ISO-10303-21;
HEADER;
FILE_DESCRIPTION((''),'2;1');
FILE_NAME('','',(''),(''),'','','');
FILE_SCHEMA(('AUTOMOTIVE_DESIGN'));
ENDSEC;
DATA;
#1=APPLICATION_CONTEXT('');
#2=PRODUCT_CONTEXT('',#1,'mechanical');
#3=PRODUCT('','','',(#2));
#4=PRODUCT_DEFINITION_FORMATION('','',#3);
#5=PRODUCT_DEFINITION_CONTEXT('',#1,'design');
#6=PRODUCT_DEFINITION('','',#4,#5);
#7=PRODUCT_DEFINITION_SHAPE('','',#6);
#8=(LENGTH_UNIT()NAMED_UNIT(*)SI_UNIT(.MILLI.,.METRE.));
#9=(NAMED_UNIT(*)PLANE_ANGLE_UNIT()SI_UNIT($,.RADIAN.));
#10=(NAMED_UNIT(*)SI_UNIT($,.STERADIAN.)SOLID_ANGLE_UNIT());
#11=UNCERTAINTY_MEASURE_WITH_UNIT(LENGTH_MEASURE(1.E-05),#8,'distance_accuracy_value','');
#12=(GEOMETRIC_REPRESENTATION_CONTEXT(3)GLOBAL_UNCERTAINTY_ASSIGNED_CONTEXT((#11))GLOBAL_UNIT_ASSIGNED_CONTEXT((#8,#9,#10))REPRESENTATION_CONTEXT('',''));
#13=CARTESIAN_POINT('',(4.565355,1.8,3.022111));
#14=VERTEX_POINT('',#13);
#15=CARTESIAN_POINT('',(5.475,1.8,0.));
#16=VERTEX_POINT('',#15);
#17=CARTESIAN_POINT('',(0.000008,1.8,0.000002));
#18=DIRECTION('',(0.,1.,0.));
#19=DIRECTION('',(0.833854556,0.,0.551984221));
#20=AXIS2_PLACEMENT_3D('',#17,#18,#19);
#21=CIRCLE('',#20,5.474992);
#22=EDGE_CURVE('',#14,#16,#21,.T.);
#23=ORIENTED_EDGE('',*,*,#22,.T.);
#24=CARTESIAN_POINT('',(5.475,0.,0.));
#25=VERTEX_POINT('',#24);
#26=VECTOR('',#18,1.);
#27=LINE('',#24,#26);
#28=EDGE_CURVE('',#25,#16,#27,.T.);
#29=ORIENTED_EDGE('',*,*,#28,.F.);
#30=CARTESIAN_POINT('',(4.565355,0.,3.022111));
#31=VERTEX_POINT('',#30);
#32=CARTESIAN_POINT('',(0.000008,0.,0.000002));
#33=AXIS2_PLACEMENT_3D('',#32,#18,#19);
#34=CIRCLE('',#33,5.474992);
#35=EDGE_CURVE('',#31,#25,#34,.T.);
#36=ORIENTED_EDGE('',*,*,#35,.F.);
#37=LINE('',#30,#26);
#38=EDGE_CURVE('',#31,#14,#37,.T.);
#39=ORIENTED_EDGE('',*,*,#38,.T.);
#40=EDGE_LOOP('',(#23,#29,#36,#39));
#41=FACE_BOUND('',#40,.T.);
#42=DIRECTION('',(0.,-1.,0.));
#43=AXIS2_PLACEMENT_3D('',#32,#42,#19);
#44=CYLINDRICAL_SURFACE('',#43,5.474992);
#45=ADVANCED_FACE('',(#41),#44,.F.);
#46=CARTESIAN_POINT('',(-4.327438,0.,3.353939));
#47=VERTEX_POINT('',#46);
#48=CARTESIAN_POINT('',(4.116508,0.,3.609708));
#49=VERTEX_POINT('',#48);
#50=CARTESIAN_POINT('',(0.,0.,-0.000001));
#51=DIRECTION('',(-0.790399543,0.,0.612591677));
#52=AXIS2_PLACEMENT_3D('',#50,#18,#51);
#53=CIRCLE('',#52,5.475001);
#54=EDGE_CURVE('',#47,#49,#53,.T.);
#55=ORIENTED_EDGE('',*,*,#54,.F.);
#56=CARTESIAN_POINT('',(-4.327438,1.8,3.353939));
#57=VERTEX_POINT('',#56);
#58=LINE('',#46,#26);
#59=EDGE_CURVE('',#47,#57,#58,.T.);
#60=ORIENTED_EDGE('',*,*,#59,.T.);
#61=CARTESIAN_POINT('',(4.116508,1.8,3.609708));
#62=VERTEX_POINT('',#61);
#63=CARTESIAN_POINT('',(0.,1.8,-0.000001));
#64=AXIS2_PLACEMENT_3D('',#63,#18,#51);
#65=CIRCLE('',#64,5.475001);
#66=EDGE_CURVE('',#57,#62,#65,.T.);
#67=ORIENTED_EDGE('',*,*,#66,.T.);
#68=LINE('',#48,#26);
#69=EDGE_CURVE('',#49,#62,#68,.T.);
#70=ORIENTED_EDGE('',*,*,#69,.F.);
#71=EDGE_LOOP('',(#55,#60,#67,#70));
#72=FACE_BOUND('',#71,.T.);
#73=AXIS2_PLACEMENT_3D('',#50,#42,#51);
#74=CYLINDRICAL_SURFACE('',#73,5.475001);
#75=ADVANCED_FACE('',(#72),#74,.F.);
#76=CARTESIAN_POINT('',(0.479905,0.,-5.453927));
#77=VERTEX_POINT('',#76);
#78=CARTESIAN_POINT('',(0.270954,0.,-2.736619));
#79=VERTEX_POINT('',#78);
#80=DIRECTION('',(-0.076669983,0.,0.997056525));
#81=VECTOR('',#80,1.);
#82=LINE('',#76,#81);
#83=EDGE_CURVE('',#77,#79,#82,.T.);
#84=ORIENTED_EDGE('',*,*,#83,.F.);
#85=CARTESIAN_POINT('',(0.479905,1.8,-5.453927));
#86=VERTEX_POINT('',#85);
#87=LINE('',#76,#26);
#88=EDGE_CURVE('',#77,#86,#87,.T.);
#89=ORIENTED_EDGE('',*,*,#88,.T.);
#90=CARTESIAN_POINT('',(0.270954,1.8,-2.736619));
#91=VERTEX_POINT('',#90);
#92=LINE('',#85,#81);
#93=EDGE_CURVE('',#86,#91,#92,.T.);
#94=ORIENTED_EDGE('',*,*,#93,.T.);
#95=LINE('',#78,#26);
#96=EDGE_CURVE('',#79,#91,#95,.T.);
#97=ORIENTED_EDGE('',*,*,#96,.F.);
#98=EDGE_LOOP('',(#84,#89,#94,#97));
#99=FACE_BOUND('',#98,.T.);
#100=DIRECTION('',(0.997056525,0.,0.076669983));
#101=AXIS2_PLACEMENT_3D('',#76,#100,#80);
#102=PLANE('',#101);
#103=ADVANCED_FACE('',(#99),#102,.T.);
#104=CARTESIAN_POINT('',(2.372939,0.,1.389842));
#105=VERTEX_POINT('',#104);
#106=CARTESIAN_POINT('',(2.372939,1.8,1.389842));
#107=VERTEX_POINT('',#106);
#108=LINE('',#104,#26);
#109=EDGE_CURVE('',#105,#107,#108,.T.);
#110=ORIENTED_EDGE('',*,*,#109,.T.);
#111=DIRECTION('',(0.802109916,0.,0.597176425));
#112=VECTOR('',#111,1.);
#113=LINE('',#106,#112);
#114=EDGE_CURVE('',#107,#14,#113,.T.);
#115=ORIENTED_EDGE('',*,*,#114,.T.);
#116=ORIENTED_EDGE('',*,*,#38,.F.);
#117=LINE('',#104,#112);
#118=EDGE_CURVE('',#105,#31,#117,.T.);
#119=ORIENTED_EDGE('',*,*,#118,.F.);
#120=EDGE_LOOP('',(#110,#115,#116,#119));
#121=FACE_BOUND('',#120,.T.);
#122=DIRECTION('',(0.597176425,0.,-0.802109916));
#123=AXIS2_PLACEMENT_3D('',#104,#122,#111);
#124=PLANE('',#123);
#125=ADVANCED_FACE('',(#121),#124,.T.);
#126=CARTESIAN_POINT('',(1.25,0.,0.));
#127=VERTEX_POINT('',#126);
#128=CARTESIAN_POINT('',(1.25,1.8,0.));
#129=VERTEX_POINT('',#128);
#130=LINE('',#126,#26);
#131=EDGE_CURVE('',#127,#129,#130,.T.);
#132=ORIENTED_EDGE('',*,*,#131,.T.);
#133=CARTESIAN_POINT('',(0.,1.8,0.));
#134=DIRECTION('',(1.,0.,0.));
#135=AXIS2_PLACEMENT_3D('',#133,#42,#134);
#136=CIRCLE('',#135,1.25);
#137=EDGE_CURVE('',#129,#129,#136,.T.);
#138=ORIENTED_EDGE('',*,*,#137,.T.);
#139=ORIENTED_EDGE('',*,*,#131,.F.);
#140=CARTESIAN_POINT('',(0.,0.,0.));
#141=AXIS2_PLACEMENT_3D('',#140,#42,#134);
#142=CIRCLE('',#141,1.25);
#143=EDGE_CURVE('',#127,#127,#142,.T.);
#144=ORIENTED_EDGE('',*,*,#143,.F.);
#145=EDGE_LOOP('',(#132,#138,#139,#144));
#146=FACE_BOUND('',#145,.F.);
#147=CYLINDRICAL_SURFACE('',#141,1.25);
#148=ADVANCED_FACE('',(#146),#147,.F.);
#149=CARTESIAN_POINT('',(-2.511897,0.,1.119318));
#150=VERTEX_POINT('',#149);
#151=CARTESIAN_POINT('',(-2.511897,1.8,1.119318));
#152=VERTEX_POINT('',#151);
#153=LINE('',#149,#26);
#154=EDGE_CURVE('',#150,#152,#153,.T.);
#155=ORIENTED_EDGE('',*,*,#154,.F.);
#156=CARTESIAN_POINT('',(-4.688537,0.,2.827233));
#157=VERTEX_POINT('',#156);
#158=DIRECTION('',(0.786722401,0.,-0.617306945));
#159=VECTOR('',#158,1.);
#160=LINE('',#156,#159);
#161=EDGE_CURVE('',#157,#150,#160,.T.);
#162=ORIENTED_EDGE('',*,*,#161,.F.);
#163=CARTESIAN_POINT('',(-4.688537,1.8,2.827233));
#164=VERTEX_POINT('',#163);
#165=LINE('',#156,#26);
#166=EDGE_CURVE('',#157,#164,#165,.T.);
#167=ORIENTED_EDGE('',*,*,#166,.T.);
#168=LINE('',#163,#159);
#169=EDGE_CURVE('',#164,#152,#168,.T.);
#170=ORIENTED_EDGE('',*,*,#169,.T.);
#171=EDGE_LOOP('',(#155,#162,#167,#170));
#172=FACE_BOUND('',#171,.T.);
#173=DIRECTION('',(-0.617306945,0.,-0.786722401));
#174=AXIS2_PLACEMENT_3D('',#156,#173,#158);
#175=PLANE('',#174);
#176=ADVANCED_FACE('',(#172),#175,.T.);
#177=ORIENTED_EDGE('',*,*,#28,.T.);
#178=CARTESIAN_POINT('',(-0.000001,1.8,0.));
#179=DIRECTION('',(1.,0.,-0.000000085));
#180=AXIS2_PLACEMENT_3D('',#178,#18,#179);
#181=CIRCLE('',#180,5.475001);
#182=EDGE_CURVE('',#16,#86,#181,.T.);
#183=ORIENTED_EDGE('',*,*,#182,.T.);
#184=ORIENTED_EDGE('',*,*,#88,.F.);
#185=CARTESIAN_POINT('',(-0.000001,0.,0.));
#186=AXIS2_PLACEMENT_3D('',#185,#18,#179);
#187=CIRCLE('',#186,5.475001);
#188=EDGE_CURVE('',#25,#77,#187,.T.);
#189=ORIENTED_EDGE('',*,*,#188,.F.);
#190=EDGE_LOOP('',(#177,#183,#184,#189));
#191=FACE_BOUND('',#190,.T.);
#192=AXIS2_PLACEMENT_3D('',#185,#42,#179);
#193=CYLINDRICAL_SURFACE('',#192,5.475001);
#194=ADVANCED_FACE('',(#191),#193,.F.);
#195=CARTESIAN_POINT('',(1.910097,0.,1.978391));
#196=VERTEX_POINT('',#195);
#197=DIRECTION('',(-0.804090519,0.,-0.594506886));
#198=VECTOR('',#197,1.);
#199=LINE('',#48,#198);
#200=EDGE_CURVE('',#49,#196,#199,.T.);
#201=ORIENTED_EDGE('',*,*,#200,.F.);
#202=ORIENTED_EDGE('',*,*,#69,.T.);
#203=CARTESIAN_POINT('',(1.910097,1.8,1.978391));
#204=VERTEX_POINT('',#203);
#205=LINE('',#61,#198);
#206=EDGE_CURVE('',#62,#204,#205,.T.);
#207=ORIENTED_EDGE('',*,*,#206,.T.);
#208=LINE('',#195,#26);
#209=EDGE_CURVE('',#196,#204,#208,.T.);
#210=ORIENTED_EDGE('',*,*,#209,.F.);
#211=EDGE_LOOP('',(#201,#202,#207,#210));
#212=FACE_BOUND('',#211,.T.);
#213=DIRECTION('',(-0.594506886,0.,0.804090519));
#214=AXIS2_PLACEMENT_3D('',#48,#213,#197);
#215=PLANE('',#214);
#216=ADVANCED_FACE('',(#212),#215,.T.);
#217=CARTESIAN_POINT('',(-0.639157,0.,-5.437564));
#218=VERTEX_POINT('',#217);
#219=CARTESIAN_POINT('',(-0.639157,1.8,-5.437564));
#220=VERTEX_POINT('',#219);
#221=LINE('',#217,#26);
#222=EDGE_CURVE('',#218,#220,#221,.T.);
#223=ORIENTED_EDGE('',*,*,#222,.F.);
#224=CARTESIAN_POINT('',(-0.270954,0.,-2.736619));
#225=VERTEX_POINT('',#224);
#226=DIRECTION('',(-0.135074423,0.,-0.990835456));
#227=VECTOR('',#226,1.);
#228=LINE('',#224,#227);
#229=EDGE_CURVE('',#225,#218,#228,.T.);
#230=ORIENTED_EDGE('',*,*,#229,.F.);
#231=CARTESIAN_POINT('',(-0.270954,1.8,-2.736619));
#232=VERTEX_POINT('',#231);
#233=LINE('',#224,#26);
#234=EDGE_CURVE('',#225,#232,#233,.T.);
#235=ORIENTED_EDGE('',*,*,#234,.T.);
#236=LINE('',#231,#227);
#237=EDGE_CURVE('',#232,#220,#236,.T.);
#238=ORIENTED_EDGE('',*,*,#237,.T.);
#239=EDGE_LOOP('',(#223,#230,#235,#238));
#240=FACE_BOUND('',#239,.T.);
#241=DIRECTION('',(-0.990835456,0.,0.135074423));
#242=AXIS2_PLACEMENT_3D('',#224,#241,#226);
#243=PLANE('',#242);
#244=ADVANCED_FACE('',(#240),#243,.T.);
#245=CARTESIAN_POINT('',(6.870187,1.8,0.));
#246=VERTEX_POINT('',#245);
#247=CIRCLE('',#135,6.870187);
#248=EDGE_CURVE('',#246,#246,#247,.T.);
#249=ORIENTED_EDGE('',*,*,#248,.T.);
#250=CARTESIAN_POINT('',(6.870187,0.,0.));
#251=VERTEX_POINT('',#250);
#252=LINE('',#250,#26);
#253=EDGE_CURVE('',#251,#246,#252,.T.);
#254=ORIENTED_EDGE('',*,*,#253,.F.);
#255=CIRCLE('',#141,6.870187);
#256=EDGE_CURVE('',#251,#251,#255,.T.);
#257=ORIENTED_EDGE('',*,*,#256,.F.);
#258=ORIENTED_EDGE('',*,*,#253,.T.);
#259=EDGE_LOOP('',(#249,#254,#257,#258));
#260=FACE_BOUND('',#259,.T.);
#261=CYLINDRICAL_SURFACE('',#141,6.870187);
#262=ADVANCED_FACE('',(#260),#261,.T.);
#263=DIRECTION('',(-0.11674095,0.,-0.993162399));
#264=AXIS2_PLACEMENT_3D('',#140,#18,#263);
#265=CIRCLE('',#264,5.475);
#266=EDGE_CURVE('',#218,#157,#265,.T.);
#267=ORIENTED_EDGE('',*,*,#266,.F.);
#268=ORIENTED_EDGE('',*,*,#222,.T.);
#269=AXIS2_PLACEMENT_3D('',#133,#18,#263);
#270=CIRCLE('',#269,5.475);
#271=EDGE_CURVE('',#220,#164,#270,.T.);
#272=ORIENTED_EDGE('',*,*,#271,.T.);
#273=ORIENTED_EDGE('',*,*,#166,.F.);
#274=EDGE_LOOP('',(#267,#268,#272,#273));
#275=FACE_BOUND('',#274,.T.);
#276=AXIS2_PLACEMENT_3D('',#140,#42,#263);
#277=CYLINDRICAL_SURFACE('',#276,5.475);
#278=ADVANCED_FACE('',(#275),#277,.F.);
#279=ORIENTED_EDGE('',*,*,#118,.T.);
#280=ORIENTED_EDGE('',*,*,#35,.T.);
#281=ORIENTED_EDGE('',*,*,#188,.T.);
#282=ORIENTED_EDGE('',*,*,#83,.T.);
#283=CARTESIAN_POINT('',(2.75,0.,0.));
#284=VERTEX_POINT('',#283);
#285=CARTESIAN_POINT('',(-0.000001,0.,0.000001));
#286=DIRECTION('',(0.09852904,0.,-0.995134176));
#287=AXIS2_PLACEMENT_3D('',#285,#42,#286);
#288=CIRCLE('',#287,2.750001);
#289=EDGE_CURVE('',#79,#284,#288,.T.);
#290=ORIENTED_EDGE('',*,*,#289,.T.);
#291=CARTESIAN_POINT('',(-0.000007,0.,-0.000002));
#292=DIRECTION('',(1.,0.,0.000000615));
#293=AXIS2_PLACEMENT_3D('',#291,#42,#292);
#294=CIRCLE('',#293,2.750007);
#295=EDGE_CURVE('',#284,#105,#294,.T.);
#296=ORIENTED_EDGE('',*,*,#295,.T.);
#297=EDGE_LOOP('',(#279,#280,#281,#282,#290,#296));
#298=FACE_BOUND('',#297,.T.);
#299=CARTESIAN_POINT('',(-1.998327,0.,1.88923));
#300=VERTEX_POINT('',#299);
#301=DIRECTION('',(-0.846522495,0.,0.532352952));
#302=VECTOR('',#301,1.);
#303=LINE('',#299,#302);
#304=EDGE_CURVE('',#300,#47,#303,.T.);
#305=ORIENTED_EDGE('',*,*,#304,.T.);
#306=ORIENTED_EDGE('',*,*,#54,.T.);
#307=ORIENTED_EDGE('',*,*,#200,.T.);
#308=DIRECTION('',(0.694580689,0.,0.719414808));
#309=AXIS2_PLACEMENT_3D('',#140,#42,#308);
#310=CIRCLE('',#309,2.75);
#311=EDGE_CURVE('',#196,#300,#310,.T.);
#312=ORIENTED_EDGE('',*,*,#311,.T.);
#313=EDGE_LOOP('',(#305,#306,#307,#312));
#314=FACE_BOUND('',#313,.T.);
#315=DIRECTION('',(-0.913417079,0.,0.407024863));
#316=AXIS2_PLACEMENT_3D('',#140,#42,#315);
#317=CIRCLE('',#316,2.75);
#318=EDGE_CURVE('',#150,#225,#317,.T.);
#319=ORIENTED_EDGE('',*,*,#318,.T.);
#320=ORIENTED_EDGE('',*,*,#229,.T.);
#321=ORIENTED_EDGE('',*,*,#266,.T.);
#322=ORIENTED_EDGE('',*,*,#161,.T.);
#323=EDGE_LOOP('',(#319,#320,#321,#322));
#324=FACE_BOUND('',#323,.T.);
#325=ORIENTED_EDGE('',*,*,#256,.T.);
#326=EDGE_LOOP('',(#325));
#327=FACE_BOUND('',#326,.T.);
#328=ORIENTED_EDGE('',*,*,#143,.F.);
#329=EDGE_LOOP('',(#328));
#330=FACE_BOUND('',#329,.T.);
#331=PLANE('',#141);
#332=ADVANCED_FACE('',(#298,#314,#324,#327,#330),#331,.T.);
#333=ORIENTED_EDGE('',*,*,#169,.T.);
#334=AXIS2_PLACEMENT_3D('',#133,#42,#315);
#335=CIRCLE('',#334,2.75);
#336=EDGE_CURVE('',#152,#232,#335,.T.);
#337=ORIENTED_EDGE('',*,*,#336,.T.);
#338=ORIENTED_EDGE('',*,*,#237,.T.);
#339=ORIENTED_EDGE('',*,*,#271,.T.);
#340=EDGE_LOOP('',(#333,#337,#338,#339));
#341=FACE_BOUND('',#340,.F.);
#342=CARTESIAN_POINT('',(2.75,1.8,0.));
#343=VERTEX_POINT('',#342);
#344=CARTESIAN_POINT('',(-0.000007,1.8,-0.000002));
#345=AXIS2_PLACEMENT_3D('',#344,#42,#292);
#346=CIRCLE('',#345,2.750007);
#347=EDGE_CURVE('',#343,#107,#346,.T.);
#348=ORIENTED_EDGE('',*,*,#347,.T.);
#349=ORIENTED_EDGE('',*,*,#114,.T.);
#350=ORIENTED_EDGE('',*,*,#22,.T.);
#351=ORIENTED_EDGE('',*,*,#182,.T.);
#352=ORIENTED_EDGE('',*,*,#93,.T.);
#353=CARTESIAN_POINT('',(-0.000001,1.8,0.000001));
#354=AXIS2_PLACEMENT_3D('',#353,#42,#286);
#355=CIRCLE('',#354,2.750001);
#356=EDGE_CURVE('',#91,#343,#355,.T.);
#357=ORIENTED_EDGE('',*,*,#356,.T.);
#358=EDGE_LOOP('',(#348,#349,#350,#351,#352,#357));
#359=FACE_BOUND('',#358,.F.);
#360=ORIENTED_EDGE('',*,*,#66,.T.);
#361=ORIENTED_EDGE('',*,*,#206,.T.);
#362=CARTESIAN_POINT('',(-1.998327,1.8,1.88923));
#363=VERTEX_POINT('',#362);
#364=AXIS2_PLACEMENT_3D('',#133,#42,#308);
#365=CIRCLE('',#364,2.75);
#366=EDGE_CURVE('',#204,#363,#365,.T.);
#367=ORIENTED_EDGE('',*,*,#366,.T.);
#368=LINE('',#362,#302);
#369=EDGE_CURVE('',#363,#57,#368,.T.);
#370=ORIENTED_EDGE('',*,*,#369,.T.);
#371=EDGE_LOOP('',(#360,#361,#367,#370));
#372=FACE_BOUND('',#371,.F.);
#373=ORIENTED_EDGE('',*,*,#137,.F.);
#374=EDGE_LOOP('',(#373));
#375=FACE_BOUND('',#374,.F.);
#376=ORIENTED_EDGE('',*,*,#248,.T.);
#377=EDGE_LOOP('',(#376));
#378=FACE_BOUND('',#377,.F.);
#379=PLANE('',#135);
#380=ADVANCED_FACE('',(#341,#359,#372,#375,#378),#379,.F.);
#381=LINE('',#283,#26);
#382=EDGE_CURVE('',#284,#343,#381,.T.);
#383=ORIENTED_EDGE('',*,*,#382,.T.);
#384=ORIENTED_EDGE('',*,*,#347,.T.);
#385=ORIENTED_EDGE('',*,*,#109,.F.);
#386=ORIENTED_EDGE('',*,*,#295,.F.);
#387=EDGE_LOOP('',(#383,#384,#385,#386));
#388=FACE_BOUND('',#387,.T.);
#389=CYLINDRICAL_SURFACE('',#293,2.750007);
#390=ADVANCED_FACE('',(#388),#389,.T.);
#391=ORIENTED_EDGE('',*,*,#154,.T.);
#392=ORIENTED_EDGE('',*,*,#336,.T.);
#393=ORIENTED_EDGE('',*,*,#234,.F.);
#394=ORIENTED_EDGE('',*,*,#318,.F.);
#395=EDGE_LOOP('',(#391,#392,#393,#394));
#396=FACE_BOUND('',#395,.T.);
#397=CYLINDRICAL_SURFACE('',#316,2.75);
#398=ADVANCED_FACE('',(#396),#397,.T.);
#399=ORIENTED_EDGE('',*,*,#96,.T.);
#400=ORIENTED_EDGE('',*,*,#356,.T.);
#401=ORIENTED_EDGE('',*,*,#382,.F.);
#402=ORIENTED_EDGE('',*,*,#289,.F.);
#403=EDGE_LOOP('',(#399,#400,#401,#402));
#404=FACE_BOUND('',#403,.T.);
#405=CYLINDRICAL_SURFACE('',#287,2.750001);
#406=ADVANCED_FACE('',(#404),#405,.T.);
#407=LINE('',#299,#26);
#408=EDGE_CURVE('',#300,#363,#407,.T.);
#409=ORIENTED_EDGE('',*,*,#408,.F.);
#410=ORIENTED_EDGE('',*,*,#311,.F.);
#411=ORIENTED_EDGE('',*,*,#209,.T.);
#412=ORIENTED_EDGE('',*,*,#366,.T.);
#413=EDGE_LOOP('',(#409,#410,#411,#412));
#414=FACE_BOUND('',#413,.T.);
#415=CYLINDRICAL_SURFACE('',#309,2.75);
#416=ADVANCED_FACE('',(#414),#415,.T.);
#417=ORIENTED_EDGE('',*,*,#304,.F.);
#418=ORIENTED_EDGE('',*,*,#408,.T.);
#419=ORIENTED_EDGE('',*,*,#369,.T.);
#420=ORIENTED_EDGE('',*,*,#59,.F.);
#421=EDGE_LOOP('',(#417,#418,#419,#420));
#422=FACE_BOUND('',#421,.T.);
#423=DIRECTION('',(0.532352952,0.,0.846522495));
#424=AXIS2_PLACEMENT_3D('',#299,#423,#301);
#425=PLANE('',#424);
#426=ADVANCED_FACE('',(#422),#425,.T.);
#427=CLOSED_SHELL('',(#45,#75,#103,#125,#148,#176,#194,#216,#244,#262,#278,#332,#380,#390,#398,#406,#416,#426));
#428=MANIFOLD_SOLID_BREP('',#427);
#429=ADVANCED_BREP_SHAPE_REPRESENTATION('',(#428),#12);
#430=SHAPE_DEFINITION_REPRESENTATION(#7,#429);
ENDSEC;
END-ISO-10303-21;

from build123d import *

# Parameters (mm, degrees)
F0_R     = 6.870187
F0_R_2   = 1.25
F1_DEPTH = 1.8


with BuildPart() as f1:
    # F0 (on Front) → F1 (new body)
    with BuildSketch(Plane.XZ):
        Circle(F0_R)
        with BuildLine():
            ThreePointArc((4.565355, 3.022111), (5.242659, 1.578022), (5.475, 0))
            ThreePointArc((5.475, 0), (4.037518, -3.697847), (0.479905, -5.453927))
            ThreePointArc((0.479905, -5.453927), (-0.080045, -5.474415), (-0.639157, -5.437564))
            ThreePointArc((-0.639157, -5.437564), (-4.916584, -2.408906), (-4.688537, 2.827233))
            ThreePointArc((-4.688537, 2.827233), (-4.515673, 3.095855), (-4.327438, 3.353939))
            ThreePointArc((-4.327438, 3.353939), (-0.165763, 5.47249), (4.116508, 3.609708))
            ThreePointArc((4.116508, 3.609708), (4.350862, 3.323495), (4.565355, 3.022111))
        make_face(mode=Mode.SUBTRACT)
        with BuildLine():
            ThreePointArc((2.75, 0), (2.654061, 0.720041), (2.372939, 1.389842))
            ThreePointArc((2.372939, 1.389842), (2.161642, 1.699942), (1.910097, 1.978391))
            ThreePointArc((1.910097, 1.978391), (-0.062718, 2.749285), (-1.998327, 1.88923))
            ThreePointArc((-1.998327, 1.88923), (-2.287733, 1.526034), (-2.511897, 1.119318))
            ThreePointArc((-2.511897, 1.119318), (-2.377631, -1.3818), (-0.270954, -2.736619))
            ThreePointArc((-0.270954, -2.736619), (0, -2.75), (0.270954, -2.736619))
            ThreePointArc((0.270954, -2.736619), (2.03809, -1.846263), (2.75, 0))
        make_face()
        Circle(F0_R_2, mode=Mode.SUBTRACT)
        with BuildLine():
            Line((2.372939, 1.389842), (4.565355, 3.022111))
            ThreePointArc((4.565355, 3.022111), (4.350862, 3.323495), (4.116508, 3.609708))
            Line((4.116508, 3.609708), (1.910097, 1.978391))
            ThreePointArc((1.910097, 1.978391), (2.161642, 1.699942), (2.372939, 1.389842))
        make_face()
        with BuildLine():
            ThreePointArc((-0.639157, -5.437564), (-0.080045, -5.474415), (0.479905, -5.453927))
            Line((0.479905, -5.453927), (0.270954, -2.736619))
            ThreePointArc((0.270954, -2.736619), (0, -2.75), (-0.270954, -2.736619))
            Line((-0.270954, -2.736619), (-0.639157, -5.437564))
        make_face()
        with BuildLine():
            Line((-1.998327, 1.88923), (-4.327438, 3.353939))
            ThreePointArc((-4.327438, 3.353939), (-4.515673, 3.095855), (-4.688537, 2.827233))
            Line((-4.688537, 2.827233), (-2.511897, 1.119318))
            ThreePointArc((-2.511897, 1.119318), (-2.287733, 1.526034), (-1.998327, 1.88923))
        make_face()
    extrude(amount=-F1_DEPTH)


solid = f1.part
